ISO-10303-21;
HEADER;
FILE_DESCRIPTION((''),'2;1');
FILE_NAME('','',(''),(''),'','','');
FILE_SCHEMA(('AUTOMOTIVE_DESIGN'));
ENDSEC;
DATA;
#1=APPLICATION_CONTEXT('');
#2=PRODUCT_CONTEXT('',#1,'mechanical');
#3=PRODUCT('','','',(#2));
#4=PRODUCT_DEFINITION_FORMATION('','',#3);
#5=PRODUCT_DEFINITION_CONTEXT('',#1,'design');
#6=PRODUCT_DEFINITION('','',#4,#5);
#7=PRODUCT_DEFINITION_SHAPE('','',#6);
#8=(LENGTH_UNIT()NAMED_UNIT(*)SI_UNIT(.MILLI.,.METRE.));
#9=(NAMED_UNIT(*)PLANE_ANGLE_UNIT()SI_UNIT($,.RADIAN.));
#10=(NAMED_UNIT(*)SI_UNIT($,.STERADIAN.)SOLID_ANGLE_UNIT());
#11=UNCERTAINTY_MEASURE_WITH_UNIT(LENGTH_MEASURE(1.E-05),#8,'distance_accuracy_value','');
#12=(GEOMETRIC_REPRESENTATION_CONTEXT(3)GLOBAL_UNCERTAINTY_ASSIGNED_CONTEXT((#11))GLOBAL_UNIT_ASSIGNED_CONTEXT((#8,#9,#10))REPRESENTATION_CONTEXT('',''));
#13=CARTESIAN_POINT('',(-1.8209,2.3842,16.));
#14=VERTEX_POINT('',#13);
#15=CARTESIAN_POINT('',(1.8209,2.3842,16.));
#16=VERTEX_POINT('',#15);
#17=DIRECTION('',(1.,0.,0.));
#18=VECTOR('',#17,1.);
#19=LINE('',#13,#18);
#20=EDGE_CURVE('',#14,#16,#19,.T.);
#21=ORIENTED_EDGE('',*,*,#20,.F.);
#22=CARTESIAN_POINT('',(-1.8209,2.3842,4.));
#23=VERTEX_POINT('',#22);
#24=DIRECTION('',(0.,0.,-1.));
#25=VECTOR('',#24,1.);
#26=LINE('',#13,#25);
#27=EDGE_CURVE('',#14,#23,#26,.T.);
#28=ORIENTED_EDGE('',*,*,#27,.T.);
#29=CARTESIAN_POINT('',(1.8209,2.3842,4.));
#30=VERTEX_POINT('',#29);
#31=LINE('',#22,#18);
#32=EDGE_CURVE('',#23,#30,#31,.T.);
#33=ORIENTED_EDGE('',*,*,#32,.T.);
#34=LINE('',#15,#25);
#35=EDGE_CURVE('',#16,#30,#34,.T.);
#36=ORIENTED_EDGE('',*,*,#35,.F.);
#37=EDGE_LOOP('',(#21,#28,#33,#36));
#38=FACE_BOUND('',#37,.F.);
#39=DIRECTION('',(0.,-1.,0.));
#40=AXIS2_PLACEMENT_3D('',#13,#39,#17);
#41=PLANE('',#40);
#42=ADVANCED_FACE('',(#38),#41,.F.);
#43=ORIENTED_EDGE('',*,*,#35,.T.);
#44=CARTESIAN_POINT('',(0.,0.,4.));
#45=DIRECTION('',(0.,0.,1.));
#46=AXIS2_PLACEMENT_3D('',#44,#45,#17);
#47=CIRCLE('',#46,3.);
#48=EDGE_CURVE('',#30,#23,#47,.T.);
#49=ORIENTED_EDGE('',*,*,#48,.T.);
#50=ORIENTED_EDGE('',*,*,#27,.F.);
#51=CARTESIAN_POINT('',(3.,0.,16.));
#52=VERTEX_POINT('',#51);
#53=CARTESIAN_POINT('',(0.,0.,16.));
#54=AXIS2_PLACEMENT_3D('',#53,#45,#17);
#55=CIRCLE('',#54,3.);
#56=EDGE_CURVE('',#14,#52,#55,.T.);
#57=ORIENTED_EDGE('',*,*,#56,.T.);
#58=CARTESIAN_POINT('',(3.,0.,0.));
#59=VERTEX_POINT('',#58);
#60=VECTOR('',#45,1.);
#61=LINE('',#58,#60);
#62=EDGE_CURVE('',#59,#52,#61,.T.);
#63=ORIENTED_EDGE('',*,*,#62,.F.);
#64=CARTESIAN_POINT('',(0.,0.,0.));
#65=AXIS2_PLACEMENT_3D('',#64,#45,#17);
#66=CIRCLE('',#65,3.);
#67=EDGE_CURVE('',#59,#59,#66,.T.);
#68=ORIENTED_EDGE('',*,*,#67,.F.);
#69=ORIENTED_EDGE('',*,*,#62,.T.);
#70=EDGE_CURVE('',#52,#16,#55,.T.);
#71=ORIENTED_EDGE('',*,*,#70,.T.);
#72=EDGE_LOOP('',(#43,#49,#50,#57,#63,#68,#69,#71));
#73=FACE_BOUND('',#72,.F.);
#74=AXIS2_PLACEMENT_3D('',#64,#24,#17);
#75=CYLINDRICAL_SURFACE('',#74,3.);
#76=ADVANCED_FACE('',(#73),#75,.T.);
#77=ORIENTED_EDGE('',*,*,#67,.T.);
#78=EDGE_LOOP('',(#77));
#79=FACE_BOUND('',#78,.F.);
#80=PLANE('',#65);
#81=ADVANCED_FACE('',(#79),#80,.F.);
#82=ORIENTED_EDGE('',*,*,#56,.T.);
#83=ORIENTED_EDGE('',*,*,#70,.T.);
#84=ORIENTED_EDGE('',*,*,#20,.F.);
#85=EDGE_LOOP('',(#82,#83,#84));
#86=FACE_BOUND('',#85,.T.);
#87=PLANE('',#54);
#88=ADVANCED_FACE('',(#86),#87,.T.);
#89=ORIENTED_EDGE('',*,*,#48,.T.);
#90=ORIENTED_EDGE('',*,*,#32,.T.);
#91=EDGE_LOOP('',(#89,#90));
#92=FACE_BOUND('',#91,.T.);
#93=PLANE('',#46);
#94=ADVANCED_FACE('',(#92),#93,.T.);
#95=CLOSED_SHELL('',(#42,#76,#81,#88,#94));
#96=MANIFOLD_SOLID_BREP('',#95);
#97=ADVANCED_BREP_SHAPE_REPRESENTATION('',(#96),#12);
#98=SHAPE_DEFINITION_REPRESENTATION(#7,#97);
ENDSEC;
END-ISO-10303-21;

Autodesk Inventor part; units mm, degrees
ref_plane "YZ Plane" through (0, 0, 0) normal (1, 0, 0) x (0, 1, 0)
ref_plane "XZ Plane" through (0, 0, 0) normal (0, 1, 0) x (-1, 0, 0)
ref_plane "XY Plane" through (0, 0, 0) normal (0, 0, 1) x (1, 0, 0)
sketch "Sketch1" plane through (0, 0, 0) normal (0, 0, 1) x (1, 0, 0)
  circle A0 centre (0, 0) radius 3 projected
  circle A1 centre (0, 0) radius 5 projected
  dimension "d0" = 10
  dimension "d1" = 6
extrude "Extrusion1" add sketch "Sketch1" along normal blind 16 contours A0
sketch "Sketch2" plane through (0, 0, 16) normal (0, 0, 1) x (1, 0, 0)
  circle A0 centre (0, 0) radius 3 projected
  line L0 (-1.8209, 2.3842) -> (1.8209, 2.3842)
  line L1 (-3, 0) -> (3, 0)
extrude "Extrusion2" cut sketch "Sketch2" against normal blind 12 contours L0 A0
properties part number "motor shaft"
